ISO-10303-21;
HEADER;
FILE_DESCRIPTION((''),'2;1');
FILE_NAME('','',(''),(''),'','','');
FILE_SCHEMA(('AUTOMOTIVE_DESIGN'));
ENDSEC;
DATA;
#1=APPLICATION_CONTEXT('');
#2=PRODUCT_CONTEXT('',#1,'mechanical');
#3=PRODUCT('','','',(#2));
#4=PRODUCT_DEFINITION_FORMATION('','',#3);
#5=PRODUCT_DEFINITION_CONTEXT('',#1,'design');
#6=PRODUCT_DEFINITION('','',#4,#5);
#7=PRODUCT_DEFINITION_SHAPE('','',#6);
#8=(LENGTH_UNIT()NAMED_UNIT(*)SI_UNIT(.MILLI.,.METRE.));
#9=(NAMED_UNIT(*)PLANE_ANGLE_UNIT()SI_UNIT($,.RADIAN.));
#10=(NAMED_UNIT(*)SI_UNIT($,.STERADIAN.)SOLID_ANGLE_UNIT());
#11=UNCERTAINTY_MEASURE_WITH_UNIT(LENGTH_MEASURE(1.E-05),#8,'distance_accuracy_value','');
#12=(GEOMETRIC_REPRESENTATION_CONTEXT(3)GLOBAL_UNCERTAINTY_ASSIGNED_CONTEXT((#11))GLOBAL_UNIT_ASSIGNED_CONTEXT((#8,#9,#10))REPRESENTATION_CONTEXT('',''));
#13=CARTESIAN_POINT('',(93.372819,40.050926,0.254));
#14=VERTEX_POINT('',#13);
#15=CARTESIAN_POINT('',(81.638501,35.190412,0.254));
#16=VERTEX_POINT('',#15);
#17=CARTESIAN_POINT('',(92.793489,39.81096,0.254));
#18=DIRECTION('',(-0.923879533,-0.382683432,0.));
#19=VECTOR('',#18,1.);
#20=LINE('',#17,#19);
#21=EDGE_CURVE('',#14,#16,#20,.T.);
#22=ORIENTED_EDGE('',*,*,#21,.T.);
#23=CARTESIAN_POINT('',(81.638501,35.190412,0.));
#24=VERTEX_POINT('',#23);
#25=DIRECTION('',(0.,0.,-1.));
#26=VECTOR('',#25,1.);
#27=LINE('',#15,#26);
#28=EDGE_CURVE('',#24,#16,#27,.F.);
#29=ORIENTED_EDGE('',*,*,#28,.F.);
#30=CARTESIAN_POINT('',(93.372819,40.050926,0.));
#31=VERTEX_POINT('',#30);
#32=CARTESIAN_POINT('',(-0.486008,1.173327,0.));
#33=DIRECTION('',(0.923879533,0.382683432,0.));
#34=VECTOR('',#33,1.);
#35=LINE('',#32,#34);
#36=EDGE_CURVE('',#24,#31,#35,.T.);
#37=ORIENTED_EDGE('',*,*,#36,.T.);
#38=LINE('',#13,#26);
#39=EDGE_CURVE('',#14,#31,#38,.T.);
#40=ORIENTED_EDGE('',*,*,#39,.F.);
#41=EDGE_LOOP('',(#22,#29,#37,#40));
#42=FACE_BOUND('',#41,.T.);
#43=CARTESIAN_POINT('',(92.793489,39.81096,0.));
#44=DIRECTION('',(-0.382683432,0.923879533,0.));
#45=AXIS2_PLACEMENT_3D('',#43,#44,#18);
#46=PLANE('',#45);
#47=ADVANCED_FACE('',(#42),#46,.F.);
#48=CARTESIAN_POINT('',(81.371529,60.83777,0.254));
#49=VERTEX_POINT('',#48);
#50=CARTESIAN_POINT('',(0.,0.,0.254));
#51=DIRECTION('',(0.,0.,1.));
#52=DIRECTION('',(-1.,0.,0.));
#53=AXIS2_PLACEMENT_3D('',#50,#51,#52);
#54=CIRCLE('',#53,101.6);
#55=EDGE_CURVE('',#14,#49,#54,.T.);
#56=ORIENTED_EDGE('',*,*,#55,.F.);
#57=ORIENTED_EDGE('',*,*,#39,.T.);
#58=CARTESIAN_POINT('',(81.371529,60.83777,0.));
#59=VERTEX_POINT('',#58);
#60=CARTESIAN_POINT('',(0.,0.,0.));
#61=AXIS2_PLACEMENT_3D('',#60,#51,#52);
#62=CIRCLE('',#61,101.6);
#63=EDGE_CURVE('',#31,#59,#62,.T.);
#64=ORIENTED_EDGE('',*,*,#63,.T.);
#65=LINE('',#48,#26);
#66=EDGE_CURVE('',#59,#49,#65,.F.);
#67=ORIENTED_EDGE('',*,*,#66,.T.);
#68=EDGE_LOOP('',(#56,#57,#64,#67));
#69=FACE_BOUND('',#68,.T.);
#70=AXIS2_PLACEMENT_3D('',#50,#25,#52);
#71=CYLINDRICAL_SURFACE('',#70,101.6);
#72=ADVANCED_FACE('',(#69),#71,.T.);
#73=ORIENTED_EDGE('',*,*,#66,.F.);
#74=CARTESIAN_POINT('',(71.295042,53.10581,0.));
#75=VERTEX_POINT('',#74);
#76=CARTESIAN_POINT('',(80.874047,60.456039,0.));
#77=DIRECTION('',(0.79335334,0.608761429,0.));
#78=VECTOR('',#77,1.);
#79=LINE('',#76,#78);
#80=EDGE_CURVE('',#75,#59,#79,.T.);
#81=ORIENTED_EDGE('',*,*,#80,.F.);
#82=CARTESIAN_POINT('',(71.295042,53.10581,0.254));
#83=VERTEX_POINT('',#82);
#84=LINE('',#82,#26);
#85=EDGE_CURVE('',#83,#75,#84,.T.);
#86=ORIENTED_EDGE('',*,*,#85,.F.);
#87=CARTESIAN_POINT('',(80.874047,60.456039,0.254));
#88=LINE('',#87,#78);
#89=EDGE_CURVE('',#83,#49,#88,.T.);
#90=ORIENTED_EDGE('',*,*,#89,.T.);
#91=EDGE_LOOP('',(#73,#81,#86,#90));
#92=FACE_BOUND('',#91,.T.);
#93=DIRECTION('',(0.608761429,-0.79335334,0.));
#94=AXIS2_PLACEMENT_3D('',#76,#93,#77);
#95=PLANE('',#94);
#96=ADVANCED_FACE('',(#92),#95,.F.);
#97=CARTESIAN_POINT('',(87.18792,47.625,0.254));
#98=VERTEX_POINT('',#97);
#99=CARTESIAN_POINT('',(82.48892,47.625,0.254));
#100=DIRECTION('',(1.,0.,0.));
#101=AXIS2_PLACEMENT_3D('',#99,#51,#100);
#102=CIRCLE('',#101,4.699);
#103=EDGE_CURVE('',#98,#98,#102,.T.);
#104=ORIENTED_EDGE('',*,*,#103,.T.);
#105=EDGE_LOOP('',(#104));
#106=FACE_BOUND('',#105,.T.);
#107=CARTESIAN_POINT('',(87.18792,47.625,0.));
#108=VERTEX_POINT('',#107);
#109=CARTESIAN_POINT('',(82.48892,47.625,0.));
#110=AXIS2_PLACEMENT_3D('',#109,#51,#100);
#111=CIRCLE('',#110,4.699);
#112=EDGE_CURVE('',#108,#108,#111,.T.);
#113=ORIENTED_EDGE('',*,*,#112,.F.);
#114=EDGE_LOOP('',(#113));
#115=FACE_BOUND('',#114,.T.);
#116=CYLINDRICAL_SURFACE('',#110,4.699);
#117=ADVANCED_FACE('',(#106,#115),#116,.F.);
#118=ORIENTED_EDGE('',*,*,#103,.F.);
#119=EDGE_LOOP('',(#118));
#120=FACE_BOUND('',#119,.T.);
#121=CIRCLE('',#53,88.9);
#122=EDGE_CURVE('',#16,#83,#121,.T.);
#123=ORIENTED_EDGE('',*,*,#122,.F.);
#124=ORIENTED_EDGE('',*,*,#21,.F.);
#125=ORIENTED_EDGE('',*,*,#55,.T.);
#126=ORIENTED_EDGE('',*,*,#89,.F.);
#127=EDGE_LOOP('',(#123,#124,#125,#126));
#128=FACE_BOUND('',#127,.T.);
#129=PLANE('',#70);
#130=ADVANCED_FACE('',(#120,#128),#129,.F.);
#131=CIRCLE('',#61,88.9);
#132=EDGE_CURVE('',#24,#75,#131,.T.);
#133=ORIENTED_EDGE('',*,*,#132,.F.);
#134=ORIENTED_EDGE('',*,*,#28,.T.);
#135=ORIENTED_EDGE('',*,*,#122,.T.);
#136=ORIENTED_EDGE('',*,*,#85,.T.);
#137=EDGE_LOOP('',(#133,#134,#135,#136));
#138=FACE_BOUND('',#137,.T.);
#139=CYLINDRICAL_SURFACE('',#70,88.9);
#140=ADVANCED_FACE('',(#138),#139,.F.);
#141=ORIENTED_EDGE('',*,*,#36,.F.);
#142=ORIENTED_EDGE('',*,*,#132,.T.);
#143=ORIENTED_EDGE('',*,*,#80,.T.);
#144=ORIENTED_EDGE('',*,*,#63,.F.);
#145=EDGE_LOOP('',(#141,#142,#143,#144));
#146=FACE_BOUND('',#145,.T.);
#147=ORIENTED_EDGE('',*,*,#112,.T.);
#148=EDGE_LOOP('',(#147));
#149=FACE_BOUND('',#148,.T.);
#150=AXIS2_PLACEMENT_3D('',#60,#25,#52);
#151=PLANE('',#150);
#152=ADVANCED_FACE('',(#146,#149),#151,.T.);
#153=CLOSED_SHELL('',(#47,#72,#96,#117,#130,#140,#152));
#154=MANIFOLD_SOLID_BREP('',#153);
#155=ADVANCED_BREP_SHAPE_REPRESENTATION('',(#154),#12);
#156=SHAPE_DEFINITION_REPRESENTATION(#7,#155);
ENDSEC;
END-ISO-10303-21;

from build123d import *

# Parameters (mm, degrees)
BOSS_EXTRUDE1_DEPTH = 0.254
SKETCH2_R           = 4.699
CUT_EXTRUDE1_DEPTH  = 1.254
SKETCH3_W           = 2.54
SKETCH3_H           = 0.635
CUT_EXTRUDE2_DEPTH  = 1.254
SKETCH5_OUTSIDE_W   = 121.447
SKETCH5_OUTSIDE_H   = 109.618
CUT_EXTRUDE5_DEPTH  = 1.254


with BuildPart() as part:
    # Sketch1 → Boss-Extrude1 (new body)
    with BuildSketch(Plane.XY):
        with BuildLine():
            Line((67.21146711, 76.191723231), (8.696654013, 17.676910134))
            Line((8.696654013, 17.676910134), (7.228954972, 14.133571205))
            ThreePointArc((7.228954972, 14.133571205), (14.666587579, 6.075099489), (15.105587123, -4.88230096))
            Line((15.105587123, -4.88230096), (18.648926052, -6.35))
            Line((18.648926052, -6.35), (101.401368334, -6.35))
            ThreePointArc((101.401368334, -6.35), (93.866160503, 38.880636728), (67.21146711, 76.191723231))
        make_face()
        with BuildLine():
            Line((88.672924278, 6.35), (27.86051193, 6.35))
            ThreePointArc((27.86051193, 6.35), (26.399857642, 10.93517908), (24.190484974, 15.210228852))
            Line((24.190484974, 15.210228852), (67.191354125, 58.211098004))
            ThreePointArc((67.191354125, 58.211098004), (82.13289044, 34.020557137), (88.672924278, 6.35))
        make_face(mode=Mode.SUBTRACT)
    extrude(amount=BOSS_EXTRUDE1_DEPTH)

    # Sketch2 → Cut-Extrude1 (cut, through all)
    with BuildSketch(Plane.XY.offset(0.254)):
        with Locations((22.225, 0)):
            Circle(SKETCH2_R)
        with Locations((36.195, 0)):
            Circle(SKETCH2_R)
        with Locations((61.722, 0)):
            Circle(SKETCH2_R)
        with Locations((75.692, 0)):
            Circle(SKETCH2_R)
        with Locations((95.25, 0)):
            Circle(SKETCH2_R)
        with Locations((15.715448212, 15.715448212)):
            Circle(SKETCH2_R)
        with Locations((25.593729945, 25.593729945)):
            Circle(SKETCH2_R)
        with Locations((43.644044748, 43.644044748)):
            Circle(SKETCH2_R)
        with Locations((53.522326482, 53.522326482)):
            Circle(SKETCH2_R)
        with Locations((92.004434954, 24.652514046)):
            Circle(SKETCH2_R)
        with Locations((82.48891971, 47.625)):
            Circle(SKETCH2_R)
        with Locations((67.351920908, 67.351920908)):
            Circle(SKETCH2_R)
    extrude(amount=-CUT_EXTRUDE1_DEPTH, mode=Mode.SUBTRACT)

    # Sketch3 → Cut-Extrude2 (cut, through all)
    with BuildSketch(Plane.XY.offset(0.254)):
        Polygon((15.266435406, 24.246691527), (17.06248663, 26.042742751), (17.511499436, 25.593729945), (15.715448212, 23.797678721), align=None)
        Polygon((44.991083167, 53.971339288), (43.195031942, 52.175288063), (43.644044748, 51.726275257), (45.440095973, 53.522326482), align=None)
        with Locations((29.21, -6.0325)):
            Rectangle(SKETCH3_W, SKETCH3_H)
        with Locations((68.707, -6.0325)):
            Rectangle(SKETCH3_W, SKETCH3_H)
        Polygon((29.230733674, 38.210989795), (31.026784898, 40.007041019), (31.475797704, 39.558028213), (29.67974648, 37.761976989), align=None)
        Polygon((56.845021246, 65.825277367), (55.048970022, 64.029226143), (55.497982828, 63.580213337), (57.294034052, 65.376264561), align=None)
        with Locations((48.9585, -6.0325)):
            Rectangle(SKETCH3_W, SKETCH3_H)
        with Locations((85.471, -6.0325)):
            Rectangle(SKETCH3_W, SKETCH3_H)
        Polygon((99.935462164, 14.437711971), (100.266998693, 11.919442024), (101.526133667, 12.085210288), (101.194597138, 14.603480236), align=None)
        Polygon((93.765504959, 37.464305742), (94.938831965, 37.950313702), (93.966816047, 40.296967714), (92.793489041, 39.810959755), align=None)
        Polygon((79.327792988, 62.471156422), (80.874047017, 60.456038938), (81.88160576, 61.229165953), (80.33535173, 63.244283437), align=None)
        Polygon((13.593916116, 7.005422516), (14.565932035, 4.658768503), (15.739259041, 5.144776462), (14.767243123, 7.491430475), align=None)
    extrude(amount=-CUT_EXTRUDE2_DEPTH, mode=Mode.SUBTRACT)

    # Sketch5 outside → Cut-Extrude5 (cut, through all)
    with BuildSketch(Plane.XY.offset(0.254)):
        with Locations((54.4145, 34.921)):
            Rectangle(SKETCH5_OUTSIDE_W, SKETCH5_OUTSIDE_H)
        with BuildLine():
            Line((70.287378691, 52.332602618), (82.379165395, 61.610956889))
            ThreePointArc((82.379165395, 61.610956889), (89.088033287, 51.435), (94.546236515, 40.53697153))
            Line((94.546236515, 40.53697153), (80.465052659, 34.704354203))
            ThreePointArc((80.465052659, 34.704354203), (75.889806134, 43.815), (70.287378691, 52.332602618))
        make_face(mode=Mode.SUBTRACT)
    extrude(amount=-CUT_EXTRUDE5_DEPTH, mode=Mode.SUBTRACT)


solid = part.part
